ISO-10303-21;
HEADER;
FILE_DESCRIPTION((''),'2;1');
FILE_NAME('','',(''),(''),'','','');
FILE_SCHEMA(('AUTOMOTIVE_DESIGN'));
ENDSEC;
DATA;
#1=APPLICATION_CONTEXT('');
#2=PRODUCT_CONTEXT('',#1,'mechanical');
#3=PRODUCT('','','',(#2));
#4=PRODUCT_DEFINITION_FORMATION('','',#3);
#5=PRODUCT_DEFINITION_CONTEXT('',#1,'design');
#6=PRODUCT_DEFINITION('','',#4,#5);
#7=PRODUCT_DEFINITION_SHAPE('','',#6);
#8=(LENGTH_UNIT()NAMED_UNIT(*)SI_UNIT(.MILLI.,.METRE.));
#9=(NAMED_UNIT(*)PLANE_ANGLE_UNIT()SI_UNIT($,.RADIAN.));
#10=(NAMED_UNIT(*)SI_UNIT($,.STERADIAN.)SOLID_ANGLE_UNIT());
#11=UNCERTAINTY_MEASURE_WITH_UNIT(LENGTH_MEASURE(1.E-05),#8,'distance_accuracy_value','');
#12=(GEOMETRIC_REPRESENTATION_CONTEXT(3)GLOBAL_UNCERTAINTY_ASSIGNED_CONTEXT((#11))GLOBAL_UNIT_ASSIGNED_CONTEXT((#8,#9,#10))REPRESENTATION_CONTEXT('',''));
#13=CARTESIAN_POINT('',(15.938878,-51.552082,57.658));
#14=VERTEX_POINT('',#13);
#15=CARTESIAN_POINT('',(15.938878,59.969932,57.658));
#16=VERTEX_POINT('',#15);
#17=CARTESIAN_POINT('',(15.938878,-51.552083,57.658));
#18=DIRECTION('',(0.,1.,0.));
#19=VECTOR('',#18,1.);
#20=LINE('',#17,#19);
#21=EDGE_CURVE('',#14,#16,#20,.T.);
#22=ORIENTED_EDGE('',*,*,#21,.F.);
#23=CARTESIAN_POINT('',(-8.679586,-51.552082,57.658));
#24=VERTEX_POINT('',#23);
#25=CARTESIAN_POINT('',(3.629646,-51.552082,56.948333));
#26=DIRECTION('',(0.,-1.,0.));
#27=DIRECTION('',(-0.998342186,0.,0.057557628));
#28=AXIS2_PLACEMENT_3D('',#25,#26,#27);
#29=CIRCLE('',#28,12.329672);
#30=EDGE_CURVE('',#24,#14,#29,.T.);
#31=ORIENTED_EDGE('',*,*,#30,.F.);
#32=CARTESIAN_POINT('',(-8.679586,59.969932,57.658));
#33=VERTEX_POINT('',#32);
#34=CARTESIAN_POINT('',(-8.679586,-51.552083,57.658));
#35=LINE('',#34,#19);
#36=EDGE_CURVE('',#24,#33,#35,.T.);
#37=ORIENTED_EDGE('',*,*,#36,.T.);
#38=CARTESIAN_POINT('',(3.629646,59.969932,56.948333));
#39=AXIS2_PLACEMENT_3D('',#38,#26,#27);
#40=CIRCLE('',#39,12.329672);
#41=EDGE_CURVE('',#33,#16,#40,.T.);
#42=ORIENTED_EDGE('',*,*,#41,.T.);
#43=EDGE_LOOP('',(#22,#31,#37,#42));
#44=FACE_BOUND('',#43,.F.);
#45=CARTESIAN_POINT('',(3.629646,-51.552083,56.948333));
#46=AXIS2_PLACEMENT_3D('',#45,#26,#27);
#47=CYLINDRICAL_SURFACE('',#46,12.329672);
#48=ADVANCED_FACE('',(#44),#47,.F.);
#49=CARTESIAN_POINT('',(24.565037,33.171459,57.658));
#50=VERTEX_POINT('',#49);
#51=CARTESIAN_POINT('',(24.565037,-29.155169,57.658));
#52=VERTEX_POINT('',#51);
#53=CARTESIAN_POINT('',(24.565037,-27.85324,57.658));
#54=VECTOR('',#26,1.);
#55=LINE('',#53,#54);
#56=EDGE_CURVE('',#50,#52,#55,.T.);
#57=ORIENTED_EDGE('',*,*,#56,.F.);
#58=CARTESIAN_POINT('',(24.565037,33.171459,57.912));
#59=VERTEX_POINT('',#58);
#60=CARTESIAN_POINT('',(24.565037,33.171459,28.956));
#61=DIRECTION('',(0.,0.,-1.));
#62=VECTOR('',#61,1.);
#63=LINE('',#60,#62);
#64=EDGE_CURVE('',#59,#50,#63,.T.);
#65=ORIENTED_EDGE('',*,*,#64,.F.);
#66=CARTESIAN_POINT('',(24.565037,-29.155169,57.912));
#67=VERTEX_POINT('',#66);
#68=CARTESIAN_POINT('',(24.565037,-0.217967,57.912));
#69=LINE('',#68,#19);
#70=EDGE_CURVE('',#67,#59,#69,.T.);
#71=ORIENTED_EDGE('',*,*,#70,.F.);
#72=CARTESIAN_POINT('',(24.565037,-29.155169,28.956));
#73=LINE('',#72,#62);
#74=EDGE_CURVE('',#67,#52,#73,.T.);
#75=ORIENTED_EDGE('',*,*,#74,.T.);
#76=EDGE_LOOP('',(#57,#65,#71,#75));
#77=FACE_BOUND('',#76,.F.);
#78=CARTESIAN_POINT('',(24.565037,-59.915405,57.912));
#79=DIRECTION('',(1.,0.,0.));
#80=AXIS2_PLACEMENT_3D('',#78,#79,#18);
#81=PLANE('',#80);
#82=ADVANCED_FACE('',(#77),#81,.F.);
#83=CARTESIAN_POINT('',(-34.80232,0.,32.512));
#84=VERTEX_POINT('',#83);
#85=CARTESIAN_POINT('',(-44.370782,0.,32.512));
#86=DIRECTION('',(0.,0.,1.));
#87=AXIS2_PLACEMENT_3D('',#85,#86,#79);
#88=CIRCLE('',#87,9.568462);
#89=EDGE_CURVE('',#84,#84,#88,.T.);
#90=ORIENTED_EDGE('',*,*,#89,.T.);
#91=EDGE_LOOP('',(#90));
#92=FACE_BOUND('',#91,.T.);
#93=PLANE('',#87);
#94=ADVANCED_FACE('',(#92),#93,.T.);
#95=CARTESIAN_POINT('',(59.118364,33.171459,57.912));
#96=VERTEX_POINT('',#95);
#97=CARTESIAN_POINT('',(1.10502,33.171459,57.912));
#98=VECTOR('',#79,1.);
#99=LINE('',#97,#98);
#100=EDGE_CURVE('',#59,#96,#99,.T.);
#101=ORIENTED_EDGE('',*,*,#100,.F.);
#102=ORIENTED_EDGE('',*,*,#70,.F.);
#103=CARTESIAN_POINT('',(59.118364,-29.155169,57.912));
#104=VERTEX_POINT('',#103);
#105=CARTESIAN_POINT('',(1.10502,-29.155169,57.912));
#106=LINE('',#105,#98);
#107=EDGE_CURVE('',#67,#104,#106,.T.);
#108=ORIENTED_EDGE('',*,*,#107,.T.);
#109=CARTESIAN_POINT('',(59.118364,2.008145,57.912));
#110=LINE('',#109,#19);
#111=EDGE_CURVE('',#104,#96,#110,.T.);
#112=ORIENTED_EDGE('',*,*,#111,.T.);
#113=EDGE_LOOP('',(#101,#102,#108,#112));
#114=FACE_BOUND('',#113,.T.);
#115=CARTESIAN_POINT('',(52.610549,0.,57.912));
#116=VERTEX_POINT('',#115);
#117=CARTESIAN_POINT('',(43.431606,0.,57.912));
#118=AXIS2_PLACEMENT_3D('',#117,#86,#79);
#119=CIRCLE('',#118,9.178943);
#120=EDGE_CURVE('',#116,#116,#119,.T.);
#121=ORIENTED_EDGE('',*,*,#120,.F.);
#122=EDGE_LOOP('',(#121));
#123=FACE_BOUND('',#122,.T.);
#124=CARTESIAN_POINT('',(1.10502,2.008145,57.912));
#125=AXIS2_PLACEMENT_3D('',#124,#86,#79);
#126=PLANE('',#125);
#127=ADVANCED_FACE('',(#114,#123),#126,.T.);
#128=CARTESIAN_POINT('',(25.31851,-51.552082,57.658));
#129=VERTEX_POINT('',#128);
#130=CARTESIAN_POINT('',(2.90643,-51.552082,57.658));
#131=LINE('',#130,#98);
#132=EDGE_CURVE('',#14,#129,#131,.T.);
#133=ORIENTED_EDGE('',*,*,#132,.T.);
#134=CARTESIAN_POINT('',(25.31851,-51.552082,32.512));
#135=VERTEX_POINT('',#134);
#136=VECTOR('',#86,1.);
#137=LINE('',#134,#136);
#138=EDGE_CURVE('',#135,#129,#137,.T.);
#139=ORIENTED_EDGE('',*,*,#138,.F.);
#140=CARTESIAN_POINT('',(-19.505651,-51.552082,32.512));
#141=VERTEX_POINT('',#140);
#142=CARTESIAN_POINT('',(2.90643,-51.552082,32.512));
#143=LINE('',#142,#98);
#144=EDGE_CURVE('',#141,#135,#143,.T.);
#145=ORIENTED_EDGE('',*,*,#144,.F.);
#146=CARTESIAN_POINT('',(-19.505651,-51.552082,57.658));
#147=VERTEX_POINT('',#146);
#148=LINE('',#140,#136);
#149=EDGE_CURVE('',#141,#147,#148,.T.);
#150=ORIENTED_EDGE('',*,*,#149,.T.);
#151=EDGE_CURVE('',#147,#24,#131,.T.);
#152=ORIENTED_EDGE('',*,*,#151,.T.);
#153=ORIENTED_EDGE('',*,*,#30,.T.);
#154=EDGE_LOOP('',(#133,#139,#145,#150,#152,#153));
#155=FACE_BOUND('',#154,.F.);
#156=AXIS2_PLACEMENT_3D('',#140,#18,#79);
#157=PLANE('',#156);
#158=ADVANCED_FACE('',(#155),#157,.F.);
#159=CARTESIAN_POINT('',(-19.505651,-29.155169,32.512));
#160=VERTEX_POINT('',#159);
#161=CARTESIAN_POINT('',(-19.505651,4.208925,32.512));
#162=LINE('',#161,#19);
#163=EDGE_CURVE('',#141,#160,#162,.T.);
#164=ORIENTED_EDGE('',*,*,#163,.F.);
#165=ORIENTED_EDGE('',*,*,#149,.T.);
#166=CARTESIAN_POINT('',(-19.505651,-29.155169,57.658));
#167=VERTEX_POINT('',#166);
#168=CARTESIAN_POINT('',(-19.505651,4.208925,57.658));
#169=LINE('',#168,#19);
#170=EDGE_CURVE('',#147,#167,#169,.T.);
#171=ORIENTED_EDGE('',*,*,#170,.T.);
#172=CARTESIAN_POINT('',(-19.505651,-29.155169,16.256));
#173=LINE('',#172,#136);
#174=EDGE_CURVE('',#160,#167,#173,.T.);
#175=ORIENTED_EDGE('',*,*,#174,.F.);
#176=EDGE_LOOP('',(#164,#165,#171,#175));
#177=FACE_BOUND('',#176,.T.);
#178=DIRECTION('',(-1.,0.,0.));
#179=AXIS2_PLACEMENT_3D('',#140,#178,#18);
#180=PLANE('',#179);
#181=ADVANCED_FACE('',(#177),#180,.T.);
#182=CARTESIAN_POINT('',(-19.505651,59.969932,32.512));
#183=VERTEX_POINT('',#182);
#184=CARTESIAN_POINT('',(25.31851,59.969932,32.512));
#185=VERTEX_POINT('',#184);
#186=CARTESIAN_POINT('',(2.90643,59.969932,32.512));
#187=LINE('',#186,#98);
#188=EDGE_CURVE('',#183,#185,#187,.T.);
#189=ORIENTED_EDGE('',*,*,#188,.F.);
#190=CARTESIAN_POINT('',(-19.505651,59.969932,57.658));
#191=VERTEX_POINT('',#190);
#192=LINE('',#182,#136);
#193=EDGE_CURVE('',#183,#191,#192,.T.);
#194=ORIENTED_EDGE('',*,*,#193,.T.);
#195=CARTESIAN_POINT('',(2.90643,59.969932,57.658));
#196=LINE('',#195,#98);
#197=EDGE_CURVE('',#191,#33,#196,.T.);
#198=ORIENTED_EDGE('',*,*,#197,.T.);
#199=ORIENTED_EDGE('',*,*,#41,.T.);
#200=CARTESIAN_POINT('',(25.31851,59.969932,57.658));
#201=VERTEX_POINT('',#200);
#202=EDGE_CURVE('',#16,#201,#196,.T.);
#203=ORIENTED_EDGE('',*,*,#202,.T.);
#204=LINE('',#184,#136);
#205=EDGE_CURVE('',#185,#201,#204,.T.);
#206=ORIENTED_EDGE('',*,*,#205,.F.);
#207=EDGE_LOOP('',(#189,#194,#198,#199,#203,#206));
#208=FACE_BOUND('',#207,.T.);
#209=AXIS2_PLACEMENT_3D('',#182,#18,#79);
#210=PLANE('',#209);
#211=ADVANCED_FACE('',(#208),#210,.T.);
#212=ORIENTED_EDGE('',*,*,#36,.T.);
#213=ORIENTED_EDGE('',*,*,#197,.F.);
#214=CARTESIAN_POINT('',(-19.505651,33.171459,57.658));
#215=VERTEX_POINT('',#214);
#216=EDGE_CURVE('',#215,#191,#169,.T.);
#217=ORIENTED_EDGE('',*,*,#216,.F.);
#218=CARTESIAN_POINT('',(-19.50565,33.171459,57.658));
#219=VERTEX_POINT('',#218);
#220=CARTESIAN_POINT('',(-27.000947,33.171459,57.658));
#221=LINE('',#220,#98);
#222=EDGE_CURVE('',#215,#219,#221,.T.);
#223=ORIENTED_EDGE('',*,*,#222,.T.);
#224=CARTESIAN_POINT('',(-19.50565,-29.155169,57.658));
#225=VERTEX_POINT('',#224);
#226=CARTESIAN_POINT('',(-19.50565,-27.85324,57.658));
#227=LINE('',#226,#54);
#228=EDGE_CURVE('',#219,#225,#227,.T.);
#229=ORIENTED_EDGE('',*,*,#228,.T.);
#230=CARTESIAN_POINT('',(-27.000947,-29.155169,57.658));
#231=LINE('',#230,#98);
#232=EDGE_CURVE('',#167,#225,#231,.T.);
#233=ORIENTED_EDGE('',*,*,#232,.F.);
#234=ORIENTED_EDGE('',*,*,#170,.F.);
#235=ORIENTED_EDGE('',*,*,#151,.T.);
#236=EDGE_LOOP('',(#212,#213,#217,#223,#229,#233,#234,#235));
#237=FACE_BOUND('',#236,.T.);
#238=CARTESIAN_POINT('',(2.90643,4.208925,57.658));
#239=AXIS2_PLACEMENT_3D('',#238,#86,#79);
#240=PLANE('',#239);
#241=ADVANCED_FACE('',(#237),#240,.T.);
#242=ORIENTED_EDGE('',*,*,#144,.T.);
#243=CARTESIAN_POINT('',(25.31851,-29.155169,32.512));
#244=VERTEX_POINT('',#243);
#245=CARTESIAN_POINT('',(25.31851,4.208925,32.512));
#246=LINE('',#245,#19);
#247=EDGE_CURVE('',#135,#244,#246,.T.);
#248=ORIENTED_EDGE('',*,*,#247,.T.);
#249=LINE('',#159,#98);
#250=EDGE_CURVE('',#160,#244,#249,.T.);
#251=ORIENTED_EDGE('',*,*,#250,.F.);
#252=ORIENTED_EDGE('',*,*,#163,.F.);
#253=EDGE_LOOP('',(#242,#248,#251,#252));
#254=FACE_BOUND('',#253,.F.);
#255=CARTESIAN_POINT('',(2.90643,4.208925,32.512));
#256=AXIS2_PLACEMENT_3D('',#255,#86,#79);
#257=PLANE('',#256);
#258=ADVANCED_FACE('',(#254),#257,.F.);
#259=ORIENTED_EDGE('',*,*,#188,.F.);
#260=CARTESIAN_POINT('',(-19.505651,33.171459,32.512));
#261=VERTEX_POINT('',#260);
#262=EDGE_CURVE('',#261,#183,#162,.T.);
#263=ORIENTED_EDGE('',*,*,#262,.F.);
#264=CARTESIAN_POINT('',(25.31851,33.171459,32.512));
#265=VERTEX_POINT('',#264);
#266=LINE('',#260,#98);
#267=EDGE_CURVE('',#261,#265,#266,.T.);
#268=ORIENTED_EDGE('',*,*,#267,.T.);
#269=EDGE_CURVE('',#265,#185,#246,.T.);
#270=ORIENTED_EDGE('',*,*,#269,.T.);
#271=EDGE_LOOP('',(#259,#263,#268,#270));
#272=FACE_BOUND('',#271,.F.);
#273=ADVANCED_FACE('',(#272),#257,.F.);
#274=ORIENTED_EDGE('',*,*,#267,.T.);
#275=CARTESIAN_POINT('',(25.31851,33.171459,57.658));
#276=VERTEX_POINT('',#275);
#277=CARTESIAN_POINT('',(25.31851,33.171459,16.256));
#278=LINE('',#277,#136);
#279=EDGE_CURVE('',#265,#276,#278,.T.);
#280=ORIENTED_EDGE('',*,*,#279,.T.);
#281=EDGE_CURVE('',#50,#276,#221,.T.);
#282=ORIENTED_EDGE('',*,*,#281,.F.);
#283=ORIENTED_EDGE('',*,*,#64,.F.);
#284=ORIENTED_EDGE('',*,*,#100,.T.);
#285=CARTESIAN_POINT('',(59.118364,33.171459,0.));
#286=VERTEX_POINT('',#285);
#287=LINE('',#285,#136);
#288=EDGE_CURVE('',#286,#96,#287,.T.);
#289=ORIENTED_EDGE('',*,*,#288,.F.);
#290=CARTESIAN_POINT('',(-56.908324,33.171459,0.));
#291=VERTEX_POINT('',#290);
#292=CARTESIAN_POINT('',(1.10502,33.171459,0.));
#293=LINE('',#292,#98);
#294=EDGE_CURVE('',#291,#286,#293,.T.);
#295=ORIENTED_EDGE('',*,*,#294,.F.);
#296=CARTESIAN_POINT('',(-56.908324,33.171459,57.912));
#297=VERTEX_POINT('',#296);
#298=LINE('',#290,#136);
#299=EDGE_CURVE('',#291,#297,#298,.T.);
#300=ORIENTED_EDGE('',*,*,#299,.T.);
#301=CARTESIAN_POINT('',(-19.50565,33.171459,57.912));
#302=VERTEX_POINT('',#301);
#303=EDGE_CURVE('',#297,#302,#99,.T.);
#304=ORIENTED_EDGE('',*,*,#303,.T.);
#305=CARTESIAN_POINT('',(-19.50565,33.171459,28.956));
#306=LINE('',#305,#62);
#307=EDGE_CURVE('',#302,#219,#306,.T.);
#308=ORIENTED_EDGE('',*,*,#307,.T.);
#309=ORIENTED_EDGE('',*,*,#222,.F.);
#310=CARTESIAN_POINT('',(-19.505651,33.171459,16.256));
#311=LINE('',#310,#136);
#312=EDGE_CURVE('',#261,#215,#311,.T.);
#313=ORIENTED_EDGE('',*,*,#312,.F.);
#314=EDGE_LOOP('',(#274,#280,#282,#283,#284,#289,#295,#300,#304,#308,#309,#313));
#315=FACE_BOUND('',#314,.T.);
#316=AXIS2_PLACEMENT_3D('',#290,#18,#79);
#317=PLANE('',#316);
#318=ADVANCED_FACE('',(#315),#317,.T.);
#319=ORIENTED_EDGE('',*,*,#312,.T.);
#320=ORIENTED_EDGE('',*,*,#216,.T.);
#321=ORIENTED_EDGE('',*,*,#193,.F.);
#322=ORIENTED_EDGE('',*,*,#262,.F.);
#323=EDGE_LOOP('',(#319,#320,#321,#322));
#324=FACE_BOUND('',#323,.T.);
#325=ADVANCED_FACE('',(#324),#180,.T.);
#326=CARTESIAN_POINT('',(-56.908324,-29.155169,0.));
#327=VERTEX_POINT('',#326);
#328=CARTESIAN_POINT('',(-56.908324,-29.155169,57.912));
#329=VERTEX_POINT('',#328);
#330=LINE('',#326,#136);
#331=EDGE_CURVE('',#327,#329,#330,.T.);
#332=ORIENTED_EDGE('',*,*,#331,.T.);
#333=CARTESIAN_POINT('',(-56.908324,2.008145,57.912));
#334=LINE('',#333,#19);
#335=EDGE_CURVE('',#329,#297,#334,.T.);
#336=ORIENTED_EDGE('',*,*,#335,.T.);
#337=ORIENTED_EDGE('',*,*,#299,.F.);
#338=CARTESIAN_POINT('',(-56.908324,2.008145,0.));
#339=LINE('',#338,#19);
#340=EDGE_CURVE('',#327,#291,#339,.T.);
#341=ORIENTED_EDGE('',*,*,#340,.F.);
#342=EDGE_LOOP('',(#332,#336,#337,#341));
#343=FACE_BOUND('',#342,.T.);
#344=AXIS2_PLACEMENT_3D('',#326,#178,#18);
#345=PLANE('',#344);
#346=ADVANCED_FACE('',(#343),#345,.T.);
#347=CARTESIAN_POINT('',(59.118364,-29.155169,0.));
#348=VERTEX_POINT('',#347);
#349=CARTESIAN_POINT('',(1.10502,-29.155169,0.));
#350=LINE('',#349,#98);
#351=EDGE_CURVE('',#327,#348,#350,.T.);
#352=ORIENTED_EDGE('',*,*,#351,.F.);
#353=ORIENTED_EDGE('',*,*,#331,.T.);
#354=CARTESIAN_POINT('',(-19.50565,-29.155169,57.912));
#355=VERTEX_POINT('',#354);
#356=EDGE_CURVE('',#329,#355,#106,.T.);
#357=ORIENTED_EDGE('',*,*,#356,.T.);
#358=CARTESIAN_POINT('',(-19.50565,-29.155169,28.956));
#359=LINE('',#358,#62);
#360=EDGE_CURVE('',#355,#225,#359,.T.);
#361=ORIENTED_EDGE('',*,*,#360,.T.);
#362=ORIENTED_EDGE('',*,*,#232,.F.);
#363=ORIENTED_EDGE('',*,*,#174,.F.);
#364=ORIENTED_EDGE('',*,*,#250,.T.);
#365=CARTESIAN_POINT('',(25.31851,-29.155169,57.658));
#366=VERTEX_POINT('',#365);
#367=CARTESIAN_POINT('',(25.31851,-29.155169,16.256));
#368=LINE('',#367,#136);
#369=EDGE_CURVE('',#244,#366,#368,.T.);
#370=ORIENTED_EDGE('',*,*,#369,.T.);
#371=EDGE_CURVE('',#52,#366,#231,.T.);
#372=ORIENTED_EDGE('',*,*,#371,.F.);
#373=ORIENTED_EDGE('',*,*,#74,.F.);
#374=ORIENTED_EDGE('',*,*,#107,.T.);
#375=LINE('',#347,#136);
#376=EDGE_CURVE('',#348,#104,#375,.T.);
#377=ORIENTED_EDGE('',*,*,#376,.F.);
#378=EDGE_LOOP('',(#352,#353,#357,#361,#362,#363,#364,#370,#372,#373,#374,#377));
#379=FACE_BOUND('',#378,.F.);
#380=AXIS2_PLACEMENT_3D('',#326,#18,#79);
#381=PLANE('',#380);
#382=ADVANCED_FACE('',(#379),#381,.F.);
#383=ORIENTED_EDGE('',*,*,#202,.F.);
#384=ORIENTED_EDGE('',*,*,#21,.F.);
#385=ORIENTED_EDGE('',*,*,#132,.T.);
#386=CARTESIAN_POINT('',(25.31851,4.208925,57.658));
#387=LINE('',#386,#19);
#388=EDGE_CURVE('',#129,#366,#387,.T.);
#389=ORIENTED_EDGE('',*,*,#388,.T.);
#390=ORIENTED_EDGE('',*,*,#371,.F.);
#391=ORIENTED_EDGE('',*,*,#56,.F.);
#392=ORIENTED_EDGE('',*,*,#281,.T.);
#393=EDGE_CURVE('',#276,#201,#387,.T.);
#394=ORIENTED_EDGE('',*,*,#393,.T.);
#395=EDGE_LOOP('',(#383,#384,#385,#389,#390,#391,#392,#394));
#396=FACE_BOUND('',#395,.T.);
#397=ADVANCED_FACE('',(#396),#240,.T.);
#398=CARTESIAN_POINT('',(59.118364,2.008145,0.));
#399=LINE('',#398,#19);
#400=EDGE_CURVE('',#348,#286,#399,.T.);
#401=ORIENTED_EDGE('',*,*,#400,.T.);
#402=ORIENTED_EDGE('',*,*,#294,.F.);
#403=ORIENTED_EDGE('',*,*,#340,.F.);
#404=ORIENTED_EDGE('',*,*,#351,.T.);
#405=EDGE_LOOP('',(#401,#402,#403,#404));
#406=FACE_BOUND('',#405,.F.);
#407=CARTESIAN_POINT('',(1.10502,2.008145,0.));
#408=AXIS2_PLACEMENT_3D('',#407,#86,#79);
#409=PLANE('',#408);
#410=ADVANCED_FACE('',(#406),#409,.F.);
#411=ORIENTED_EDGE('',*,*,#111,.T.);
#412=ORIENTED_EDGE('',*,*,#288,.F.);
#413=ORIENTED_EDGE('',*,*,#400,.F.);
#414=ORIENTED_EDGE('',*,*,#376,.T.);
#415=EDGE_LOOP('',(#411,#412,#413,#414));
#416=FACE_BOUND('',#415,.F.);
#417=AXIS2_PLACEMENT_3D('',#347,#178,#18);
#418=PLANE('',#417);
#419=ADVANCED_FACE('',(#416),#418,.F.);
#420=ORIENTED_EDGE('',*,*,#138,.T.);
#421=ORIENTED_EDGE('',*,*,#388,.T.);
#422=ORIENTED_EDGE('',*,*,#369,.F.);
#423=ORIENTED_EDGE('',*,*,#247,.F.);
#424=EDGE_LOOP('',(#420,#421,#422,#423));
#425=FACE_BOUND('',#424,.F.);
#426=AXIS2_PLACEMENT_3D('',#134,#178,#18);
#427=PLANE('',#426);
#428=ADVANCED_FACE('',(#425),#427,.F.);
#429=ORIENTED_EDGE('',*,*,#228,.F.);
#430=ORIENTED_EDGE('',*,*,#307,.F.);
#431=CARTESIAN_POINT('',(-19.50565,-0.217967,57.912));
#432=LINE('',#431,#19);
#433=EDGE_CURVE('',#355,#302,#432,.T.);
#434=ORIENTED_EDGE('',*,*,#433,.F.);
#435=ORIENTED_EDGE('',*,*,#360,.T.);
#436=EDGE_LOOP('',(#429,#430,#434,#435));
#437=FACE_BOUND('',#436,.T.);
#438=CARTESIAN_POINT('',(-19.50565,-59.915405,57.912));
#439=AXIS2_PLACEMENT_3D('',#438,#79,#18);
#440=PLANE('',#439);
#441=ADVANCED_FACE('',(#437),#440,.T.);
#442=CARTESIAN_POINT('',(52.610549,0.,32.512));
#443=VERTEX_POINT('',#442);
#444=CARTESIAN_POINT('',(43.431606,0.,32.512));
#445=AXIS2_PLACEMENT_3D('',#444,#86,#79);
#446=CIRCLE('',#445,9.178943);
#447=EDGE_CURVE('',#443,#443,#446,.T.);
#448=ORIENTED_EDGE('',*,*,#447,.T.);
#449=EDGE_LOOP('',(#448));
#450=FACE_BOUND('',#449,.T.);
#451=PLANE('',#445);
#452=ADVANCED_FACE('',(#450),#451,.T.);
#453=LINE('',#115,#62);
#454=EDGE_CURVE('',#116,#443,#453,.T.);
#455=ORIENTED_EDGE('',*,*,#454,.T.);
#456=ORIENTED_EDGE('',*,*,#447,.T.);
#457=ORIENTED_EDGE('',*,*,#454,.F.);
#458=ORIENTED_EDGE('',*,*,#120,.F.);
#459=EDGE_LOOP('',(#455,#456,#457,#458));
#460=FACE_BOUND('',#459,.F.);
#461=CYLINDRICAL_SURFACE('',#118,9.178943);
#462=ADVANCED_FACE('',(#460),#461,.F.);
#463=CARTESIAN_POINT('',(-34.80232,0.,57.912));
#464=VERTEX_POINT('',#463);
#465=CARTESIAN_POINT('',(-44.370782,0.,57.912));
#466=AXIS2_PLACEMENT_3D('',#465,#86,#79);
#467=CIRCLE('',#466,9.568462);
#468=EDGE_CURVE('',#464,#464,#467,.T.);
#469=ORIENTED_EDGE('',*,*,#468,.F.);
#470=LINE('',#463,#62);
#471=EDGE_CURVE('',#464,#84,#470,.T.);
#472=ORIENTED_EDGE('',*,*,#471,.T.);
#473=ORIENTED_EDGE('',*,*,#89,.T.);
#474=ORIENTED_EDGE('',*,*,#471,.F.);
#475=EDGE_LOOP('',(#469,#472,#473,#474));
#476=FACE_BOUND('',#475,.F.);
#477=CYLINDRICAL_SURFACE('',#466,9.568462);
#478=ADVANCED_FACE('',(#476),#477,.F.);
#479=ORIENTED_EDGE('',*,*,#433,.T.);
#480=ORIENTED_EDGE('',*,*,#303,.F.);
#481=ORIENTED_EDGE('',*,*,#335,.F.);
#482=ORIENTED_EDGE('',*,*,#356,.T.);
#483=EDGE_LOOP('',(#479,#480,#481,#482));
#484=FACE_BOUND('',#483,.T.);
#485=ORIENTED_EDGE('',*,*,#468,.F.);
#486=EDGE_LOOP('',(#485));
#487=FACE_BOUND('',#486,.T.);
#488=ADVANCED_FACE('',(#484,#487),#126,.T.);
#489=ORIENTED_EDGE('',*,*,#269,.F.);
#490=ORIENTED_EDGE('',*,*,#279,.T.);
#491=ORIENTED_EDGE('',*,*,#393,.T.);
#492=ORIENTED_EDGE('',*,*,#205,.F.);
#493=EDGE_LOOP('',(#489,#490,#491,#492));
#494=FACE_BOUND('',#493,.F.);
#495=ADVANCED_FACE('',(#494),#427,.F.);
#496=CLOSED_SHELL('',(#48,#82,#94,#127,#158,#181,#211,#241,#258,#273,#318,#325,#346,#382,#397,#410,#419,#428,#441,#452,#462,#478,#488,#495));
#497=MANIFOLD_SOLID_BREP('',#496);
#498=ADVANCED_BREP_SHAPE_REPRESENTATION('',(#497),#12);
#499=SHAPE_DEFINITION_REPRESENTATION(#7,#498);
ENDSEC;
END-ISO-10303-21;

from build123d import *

# Parameters (mm, degrees)
F0_W     = 116.026688
F0_H     = 62.326629
F1_DEPTH = 57.912
F2_R     = 9.178943
F2_R_2   = 9.568462
F3_DEPTH = 25.4
F4_W     = 44.070687
F4_H     = 119.394876
F5_DEPTH = 25.4
F6_W     = 44.824161
F6_H     = 111.522015
F7_DEPTH = 25.146
F9_DEPTH = 139.446


with BuildPart() as f1:
    # F0 (on Top) → F1 (new body)
    with BuildSketch(Plane.XY):
        with Locations((1.10502, 2.008145)):
            Rectangle(F0_W, F0_H)
    extrude(amount=F1_DEPTH)

    # F2 (on face) → F3 (cut)
    with BuildSketch(Plane.XY.offset(57.912)):
        with Locations((43.431606, 0)):
            Circle(F2_R)
        with Locations((-44.370782, 0)):
            Circle(F2_R_2)
    extrude(amount=-F3_DEPTH, mode=Mode.SUBTRACT)

    # F4 (on face) → F5 (cut)
    with BuildSketch(Plane.XY.offset(57.912)):
        with Locations((2.529694, -0.217967)):
            Rectangle(F4_W, F4_H)
    extrude(amount=-F5_DEPTH, mode=Mode.SUBTRACT)

    # F6 (on face) → F7 (join)
    with BuildSketch(Plane.XY.offset(32.512)):
        with Locations((2.90643, 4.208925)):
            Rectangle(F6_W, F6_H)
    extrude(amount=F7_DEPTH)

    # F8 (on face) → F9 (cut)
    with BuildSketch(Plane.XZ.offset(51.552083)):
        with BuildLine():
            Line((15.938878, 57.658), (-8.679586, 57.658))
            ThreePointArc((-8.679586, 57.658), (3.629646, 44.618661), (15.938878, 57.658))
        make_face()
    extrude(amount=-F9_DEPTH, mode=Mode.SUBTRACT)


solid = f1.part
